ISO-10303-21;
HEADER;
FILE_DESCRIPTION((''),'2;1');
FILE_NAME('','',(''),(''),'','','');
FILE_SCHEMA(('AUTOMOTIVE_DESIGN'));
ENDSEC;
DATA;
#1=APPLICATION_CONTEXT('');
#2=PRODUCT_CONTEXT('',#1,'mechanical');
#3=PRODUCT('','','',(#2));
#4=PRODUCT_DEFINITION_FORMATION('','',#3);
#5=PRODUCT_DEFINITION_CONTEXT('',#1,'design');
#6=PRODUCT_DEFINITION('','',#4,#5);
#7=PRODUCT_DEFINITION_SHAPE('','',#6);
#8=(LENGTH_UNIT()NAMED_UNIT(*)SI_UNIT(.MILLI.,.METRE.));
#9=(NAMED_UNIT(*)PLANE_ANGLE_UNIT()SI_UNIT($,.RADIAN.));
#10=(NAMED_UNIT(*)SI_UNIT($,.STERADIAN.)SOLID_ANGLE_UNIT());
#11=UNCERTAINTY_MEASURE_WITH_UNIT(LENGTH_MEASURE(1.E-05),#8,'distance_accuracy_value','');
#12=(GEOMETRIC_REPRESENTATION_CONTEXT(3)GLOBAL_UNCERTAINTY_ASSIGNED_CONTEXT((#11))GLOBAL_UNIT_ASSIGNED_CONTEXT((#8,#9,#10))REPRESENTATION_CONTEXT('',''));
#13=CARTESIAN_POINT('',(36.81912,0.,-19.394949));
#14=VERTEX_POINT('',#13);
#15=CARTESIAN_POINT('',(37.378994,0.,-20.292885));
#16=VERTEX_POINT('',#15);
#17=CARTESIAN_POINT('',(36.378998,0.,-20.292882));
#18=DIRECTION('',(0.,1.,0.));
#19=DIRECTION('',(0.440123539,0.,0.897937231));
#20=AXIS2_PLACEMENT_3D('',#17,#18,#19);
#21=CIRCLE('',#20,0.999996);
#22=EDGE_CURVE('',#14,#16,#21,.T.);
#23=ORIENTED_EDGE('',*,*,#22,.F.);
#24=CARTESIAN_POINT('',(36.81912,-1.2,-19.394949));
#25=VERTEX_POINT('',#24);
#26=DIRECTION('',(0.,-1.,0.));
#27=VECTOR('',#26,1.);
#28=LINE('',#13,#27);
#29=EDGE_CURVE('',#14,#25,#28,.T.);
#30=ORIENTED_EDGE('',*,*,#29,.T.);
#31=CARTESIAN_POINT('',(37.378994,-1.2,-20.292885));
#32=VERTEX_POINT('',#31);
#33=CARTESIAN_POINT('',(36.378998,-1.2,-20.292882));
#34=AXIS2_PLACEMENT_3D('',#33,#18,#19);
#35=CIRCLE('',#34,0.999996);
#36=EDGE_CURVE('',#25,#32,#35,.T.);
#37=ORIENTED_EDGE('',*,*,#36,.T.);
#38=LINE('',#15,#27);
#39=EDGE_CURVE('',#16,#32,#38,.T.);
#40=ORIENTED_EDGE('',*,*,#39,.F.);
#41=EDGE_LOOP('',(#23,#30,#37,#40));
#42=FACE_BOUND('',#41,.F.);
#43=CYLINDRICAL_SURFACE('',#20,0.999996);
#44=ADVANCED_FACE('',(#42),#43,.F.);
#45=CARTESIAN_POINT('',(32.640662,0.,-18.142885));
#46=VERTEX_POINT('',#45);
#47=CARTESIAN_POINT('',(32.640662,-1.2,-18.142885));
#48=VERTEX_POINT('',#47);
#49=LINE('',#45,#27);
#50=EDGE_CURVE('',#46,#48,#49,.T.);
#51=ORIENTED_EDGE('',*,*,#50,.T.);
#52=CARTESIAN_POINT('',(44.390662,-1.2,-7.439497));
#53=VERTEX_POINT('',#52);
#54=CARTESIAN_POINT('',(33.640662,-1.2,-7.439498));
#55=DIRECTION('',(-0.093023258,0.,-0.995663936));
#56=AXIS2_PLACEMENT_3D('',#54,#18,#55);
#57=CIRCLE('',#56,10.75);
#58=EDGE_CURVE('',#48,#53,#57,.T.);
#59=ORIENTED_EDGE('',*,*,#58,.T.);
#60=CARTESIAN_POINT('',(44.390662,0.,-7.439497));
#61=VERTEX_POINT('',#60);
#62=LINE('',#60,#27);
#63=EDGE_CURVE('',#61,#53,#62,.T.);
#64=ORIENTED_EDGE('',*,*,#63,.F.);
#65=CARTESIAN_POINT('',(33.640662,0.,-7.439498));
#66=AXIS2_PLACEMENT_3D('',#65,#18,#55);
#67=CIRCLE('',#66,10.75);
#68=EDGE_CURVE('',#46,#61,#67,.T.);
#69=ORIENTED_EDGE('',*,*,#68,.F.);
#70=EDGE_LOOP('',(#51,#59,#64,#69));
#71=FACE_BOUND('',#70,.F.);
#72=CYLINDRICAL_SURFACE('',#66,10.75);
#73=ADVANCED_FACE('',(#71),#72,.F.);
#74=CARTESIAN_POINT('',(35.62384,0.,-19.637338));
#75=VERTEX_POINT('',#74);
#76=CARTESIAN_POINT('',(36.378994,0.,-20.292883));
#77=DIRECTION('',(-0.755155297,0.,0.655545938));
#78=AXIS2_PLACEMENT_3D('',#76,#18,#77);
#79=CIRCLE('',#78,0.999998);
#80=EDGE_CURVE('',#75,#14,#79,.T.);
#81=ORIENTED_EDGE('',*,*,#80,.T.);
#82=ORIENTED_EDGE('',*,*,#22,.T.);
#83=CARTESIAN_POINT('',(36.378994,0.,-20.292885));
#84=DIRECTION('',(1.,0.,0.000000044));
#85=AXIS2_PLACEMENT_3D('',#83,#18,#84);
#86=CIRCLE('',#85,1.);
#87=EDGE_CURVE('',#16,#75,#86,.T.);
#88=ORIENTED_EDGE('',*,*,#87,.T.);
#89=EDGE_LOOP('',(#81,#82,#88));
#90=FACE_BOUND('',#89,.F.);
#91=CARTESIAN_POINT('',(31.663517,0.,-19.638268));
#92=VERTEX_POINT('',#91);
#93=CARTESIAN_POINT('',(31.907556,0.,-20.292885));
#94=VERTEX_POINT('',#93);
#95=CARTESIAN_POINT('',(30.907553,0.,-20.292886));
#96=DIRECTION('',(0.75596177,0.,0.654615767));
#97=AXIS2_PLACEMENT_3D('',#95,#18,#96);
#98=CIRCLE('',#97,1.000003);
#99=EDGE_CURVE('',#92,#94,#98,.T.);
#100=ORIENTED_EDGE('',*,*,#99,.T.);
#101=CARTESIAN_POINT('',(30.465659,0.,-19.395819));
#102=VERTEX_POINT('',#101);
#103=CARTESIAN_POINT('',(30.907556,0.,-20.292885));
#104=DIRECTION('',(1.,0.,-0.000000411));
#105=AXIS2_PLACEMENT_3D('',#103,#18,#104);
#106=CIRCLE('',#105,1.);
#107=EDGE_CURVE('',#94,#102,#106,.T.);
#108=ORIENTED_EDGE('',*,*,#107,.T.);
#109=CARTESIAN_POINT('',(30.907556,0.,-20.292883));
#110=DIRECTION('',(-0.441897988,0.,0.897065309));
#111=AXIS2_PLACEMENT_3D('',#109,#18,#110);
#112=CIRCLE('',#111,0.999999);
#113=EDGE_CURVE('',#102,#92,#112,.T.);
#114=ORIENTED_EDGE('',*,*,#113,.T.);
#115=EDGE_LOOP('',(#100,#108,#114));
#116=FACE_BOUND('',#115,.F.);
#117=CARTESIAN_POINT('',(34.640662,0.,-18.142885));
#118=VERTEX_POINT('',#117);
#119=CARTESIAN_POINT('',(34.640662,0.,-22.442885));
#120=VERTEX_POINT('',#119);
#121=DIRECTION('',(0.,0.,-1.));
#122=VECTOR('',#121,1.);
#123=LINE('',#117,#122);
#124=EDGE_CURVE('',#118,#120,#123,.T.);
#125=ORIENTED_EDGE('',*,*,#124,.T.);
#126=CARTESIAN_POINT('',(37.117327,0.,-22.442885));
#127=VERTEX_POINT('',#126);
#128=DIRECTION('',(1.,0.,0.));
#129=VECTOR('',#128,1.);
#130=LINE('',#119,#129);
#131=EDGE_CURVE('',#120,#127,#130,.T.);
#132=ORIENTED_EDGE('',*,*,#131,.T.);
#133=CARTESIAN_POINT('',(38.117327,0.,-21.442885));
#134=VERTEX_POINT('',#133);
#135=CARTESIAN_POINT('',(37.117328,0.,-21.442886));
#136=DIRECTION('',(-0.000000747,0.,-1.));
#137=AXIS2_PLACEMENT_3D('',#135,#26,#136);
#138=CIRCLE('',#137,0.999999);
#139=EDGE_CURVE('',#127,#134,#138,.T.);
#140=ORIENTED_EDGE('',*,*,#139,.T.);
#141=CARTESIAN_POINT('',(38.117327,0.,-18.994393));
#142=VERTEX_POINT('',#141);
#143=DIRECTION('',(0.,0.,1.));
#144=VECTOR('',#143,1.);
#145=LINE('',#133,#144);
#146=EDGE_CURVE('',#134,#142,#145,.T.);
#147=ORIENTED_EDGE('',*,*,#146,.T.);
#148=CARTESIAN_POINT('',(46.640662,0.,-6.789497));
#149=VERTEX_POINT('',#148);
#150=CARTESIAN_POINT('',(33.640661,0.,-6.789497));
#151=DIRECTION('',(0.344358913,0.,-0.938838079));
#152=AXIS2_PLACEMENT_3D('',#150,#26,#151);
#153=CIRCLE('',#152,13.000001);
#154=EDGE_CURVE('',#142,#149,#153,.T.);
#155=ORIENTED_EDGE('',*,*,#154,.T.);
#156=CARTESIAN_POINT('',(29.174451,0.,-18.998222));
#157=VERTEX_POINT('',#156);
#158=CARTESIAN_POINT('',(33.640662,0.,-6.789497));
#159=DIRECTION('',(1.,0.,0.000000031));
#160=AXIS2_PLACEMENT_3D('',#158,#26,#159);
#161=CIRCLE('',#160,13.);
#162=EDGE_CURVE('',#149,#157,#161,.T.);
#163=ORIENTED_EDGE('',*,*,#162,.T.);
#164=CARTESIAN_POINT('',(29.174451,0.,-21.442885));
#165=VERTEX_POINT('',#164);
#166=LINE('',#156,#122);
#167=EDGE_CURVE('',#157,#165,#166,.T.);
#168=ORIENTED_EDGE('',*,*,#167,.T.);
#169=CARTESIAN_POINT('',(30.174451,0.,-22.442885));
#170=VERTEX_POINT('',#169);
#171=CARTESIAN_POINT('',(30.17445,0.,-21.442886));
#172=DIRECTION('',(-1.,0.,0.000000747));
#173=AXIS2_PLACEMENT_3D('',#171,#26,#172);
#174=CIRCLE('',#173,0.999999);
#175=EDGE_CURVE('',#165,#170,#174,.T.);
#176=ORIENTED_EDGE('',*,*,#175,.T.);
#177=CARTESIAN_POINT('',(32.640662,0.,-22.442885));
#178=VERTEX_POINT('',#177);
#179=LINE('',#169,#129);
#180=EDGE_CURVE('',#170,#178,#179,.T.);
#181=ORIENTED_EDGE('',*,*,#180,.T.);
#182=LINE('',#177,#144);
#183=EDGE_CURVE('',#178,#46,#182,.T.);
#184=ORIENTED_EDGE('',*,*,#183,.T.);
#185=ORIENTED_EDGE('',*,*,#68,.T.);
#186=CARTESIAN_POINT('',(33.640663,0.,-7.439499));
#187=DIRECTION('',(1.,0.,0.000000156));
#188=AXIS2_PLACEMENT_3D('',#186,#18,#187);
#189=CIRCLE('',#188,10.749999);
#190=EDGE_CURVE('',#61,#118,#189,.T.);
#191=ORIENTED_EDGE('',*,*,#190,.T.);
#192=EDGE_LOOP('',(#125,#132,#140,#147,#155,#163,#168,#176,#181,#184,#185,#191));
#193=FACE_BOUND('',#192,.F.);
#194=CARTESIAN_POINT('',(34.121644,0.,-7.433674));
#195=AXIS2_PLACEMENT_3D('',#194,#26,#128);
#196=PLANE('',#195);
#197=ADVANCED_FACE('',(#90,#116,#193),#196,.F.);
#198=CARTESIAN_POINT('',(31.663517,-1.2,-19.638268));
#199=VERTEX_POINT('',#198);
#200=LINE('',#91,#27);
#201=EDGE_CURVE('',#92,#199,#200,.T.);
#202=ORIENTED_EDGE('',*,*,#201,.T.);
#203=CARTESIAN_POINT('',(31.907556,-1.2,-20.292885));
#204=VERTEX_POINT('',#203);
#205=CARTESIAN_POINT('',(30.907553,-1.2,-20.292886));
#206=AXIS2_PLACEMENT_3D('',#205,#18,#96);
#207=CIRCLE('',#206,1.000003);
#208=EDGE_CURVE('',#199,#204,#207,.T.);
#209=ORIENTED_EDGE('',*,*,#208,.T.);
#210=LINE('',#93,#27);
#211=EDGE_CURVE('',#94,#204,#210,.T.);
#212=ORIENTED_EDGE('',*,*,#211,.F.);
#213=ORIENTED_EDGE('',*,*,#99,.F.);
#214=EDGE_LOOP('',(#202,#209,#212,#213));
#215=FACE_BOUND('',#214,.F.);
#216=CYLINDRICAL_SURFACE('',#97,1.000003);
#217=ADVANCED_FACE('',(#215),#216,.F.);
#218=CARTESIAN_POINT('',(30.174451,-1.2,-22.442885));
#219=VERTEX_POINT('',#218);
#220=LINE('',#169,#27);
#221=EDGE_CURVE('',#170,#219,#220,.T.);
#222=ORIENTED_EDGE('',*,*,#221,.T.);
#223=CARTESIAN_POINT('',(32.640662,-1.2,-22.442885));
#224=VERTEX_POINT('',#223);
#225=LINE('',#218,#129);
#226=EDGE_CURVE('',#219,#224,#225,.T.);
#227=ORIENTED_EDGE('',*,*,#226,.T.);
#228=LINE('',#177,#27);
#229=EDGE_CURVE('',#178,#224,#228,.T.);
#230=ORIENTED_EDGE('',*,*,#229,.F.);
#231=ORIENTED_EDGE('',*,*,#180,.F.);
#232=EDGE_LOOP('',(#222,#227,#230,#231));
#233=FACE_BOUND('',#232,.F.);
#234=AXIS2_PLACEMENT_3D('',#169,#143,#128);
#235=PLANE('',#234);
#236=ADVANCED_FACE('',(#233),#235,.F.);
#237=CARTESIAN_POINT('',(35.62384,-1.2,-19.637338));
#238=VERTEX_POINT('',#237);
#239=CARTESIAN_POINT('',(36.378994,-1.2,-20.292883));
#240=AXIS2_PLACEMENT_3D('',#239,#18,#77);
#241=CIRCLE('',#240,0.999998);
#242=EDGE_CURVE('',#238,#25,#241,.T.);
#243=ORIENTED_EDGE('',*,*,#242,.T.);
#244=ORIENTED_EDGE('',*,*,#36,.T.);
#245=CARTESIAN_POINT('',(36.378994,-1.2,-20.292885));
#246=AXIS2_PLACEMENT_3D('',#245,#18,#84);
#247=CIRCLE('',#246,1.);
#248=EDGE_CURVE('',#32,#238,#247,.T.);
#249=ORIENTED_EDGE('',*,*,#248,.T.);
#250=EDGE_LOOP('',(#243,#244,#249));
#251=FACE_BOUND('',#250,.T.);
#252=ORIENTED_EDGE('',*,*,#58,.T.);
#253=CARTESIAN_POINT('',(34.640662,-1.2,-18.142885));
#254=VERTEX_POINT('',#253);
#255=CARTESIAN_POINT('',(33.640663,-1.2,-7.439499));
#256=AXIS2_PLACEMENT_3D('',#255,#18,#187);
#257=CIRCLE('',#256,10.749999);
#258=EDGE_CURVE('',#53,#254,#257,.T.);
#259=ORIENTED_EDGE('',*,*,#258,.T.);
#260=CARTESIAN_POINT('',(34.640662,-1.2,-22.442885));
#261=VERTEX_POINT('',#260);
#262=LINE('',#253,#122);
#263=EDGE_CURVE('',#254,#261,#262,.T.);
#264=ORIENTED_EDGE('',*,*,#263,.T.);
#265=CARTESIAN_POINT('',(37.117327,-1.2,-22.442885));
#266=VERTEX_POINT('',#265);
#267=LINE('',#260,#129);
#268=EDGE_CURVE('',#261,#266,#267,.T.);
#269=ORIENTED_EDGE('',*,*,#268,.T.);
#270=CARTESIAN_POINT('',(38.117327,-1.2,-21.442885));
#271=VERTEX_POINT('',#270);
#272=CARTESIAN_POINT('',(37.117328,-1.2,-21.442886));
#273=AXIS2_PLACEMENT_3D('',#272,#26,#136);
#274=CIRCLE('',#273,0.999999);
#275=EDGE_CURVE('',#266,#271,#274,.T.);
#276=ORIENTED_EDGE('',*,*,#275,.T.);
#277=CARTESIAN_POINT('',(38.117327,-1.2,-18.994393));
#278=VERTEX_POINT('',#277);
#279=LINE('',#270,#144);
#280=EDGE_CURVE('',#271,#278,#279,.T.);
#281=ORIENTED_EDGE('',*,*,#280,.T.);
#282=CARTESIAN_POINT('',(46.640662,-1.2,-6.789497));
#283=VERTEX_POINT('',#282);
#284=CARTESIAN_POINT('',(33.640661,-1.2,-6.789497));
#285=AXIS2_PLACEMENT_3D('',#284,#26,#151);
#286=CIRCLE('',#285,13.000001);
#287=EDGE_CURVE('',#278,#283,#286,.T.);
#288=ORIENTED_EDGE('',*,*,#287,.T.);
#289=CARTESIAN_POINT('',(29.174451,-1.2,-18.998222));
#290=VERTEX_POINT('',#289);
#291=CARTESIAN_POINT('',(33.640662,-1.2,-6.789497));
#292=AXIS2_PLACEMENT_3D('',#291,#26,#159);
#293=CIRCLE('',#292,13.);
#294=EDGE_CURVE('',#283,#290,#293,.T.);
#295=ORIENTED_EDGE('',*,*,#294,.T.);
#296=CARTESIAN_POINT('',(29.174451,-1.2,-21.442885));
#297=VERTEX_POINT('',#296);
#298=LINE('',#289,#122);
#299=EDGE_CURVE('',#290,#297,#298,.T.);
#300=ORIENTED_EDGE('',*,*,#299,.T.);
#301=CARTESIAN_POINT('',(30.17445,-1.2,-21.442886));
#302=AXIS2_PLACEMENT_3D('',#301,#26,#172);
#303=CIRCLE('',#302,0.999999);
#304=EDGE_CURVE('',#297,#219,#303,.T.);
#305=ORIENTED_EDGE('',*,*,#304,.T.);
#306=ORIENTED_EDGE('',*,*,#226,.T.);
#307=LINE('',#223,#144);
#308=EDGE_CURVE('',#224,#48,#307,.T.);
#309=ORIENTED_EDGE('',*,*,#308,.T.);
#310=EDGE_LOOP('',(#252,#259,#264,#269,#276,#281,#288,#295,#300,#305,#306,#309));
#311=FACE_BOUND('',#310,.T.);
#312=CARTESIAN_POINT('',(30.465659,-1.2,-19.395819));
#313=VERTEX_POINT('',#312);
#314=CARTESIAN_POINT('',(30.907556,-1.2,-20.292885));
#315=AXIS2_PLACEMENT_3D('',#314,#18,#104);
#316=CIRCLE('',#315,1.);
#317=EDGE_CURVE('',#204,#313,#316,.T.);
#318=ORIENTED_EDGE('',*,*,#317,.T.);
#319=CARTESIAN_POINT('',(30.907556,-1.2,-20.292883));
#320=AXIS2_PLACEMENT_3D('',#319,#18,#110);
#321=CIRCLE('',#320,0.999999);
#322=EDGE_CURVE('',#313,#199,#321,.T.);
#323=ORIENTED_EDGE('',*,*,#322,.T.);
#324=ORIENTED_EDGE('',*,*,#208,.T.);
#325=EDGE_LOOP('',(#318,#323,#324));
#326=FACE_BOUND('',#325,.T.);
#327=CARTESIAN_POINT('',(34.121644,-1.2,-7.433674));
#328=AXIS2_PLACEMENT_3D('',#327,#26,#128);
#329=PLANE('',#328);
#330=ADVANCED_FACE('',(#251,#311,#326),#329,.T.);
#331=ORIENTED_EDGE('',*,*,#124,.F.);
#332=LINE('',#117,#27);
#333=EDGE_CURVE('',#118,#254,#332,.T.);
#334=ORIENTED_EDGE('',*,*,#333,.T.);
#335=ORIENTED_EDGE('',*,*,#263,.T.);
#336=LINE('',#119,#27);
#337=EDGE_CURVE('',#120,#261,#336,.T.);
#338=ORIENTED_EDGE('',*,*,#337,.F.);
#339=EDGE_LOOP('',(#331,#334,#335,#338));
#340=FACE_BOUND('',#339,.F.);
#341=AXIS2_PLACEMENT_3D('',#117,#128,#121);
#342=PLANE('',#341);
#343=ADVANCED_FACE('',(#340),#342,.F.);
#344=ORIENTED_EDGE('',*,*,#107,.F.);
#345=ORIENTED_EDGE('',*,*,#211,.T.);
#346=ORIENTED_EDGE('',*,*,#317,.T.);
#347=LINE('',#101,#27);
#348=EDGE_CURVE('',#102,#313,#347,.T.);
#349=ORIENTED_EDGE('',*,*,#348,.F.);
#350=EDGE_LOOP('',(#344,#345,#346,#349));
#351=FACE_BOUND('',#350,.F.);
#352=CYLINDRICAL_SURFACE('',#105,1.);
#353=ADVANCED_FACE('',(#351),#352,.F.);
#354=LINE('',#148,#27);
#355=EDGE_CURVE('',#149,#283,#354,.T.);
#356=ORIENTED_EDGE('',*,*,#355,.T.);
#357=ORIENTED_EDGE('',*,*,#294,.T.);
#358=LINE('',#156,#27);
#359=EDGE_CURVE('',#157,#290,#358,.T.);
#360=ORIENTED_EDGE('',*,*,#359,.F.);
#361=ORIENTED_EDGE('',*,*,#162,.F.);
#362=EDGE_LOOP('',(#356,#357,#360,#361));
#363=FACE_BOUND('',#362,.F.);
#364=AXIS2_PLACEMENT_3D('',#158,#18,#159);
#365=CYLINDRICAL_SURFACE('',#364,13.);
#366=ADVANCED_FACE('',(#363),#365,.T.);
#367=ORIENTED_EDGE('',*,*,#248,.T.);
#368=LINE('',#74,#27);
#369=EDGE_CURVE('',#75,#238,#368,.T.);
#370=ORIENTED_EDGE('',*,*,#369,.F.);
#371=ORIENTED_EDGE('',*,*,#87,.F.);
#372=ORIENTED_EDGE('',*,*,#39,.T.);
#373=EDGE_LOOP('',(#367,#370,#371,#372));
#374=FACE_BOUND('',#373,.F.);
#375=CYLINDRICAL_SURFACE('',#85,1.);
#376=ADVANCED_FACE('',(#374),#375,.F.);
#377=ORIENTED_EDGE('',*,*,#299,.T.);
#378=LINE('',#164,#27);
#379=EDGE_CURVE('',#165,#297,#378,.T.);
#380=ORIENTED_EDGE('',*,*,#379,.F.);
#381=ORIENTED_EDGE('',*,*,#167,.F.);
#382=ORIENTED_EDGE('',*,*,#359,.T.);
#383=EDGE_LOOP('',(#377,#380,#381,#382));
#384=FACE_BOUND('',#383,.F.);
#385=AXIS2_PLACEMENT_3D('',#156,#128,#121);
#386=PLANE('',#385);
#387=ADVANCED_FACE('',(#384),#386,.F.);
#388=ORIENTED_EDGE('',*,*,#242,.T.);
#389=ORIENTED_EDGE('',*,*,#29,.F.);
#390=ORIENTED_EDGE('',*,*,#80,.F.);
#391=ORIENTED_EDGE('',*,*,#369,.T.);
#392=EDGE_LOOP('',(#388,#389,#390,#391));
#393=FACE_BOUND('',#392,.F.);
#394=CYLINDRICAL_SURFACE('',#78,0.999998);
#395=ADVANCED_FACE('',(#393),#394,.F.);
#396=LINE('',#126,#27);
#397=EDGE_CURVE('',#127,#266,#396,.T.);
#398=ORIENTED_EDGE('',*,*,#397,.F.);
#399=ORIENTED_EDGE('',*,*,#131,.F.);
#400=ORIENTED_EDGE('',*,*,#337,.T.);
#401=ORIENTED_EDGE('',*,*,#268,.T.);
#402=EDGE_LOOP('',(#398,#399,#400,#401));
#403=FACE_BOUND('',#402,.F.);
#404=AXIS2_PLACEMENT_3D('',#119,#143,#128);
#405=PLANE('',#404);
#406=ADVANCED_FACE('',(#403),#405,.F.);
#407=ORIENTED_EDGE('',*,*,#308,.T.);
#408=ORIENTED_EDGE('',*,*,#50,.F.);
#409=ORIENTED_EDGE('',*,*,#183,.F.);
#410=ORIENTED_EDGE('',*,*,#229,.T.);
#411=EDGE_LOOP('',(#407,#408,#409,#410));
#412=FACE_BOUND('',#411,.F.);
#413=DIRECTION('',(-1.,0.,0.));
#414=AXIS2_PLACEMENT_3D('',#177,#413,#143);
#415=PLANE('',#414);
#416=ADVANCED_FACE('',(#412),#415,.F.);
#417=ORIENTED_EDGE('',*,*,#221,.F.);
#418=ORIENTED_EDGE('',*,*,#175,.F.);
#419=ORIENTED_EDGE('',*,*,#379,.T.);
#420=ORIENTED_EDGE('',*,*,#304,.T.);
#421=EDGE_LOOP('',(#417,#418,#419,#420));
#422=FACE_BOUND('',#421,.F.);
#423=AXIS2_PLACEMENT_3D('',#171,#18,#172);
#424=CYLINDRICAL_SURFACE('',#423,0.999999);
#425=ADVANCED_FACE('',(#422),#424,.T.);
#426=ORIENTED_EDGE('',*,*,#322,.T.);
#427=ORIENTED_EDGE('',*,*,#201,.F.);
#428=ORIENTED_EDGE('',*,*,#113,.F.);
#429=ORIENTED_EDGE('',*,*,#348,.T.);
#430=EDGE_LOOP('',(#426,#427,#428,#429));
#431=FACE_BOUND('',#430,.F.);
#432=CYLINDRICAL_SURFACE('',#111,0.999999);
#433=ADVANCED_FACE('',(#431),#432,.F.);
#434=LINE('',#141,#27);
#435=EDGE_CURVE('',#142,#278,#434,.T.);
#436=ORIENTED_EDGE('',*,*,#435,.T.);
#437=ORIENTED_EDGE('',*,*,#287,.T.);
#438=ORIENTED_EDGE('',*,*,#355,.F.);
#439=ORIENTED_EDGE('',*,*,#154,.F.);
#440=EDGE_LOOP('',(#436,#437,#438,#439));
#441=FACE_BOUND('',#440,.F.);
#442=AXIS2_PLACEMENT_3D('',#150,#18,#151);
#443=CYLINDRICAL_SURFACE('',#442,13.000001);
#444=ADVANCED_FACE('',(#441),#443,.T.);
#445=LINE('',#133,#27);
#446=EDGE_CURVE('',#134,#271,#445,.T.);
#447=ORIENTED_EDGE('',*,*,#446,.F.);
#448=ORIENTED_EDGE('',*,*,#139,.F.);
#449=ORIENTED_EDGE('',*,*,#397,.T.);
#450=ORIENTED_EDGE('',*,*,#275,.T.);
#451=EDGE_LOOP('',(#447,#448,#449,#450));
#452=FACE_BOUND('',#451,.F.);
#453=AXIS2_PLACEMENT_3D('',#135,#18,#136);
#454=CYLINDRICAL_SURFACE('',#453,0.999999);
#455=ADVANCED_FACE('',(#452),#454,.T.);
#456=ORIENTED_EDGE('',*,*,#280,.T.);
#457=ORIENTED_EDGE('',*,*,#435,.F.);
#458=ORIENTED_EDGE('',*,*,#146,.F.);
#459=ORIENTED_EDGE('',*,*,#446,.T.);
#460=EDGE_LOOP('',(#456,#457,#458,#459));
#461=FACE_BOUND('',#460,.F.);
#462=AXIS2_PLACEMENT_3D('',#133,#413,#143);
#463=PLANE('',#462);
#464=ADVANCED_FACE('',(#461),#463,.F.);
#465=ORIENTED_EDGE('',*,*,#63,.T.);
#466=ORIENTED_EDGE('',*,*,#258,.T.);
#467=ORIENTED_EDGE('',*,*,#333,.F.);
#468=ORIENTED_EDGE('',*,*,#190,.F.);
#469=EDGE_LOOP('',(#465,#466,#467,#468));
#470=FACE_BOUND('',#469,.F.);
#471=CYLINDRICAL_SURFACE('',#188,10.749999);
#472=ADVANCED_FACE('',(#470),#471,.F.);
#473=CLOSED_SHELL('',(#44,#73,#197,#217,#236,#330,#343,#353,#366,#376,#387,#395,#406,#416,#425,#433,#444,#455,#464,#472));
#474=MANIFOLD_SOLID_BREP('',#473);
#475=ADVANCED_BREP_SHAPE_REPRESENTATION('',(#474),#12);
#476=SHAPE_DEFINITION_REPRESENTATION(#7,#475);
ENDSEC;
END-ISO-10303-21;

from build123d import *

# Parameters (mm, degrees)
F1_DEPTH = 1.2


with BuildPart() as f1:
    # F0 (on Front) → F1 (new body)
    with BuildSketch(Plane.XZ):
        with BuildLine():
            ThreePointArc((32.640662, -18.142885), (26.401446, 0.507593), (44.390662, -7.439497))
            ThreePointArc((44.390662, -7.439497), (41.587753, -14.678714), (34.640662, -18.142885))
            Line((34.640662, -18.142885), (38.117327, -18.142885))
            Line((38.117327, -18.142885), (38.117327, -18.994393))
            ThreePointArc((38.117327, -18.994393), (44.298913, -14.232728), (46.640662, -6.789497))
            ThreePointArc((46.640662, -6.789497), (26.192869, 3.865566), (29.174451, -18.998222))
            Line((29.174451, -18.998222), (29.174451, -18.142885))
            Line((29.174451, -18.142885), (32.640662, -18.142885))
        make_face()
        with BuildLine():
            Line((32.640662, -22.442885), (32.640662, -19.750979))
            ThreePointArc((32.640662, -19.750979), (32.151023, -19.703868), (31.663517, -19.638268))
            ThreePointArc((31.663517, -19.638268), (31.844562, -19.943572), (31.907556, -20.292885))
            ThreePointArc((31.907556, -20.292885), (30.379304, -21.141972), (30.465659, -19.395819))
            ThreePointArc((30.465659, -19.395819), (29.814886, -19.213806), (29.174451, -18.998222))
            Line((29.174451, -18.998222), (29.174451, -21.442885))
            ThreePointArc((29.174451, -21.442885), (29.467344, -22.149992), (30.174451, -22.442885))
            Line((30.174451, -22.442885), (32.640662, -22.442885))
        make_face()
        with BuildLine():
            Line((32.640662, -19.750979), (32.640662, -18.142885))
            Line((32.640662, -18.142885), (29.174451, -18.142885))
            Line((29.174451, -18.142885), (29.174451, -18.998222))
            ThreePointArc((29.174451, -18.998222), (29.814886, -19.213806), (30.465659, -19.395819))
            ThreePointArc((30.465659, -19.395819), (31.105935, -19.312759), (31.663517, -19.638268))
            ThreePointArc((31.663517, -19.638268), (32.151023, -19.703868), (32.640662, -19.750979))
        make_face()
        with BuildLine():
            Line((38.117327, -18.142885), (34.640662, -18.142885))
            Line((34.640662, -18.142885), (34.640662, -19.750979))
            ThreePointArc((34.640662, -19.750979), (35.133333, -19.703518), (35.62384, -19.637338))
            ThreePointArc((35.62384, -19.637338), (36.180251, -19.312833), (36.81912, -19.394949))
            ThreePointArc((36.81912, -19.394949), (37.47346, -19.211641), (38.117327, -18.994393))
            Line((38.117327, -18.994393), (38.117327, -18.142885))
        make_face()
        with BuildLine():
            ThreePointArc((35.62384, -19.637338), (35.133333, -19.703518), (34.640662, -19.750979))
            Line((34.640662, -19.750979), (34.640662, -22.442885))
            Line((34.640662, -22.442885), (37.117327, -22.442885))
            ThreePointArc((37.117327, -22.442885), (37.824434, -22.149992), (38.117327, -21.442885))
            Line((38.117327, -21.442885), (38.117327, -18.994393))
            ThreePointArc((38.117327, -18.994393), (37.47346, -19.211641), (36.81912, -19.394949))
            ThreePointArc((36.81912, -19.394949), (37.22756, -19.763794), (37.378994, -20.292885))
            ThreePointArc((37.378994, -20.292885), (36.029105, -21.229676), (35.62384, -19.637338))
        make_face()
    extrude(amount=F1_DEPTH)


solid = f1.part
